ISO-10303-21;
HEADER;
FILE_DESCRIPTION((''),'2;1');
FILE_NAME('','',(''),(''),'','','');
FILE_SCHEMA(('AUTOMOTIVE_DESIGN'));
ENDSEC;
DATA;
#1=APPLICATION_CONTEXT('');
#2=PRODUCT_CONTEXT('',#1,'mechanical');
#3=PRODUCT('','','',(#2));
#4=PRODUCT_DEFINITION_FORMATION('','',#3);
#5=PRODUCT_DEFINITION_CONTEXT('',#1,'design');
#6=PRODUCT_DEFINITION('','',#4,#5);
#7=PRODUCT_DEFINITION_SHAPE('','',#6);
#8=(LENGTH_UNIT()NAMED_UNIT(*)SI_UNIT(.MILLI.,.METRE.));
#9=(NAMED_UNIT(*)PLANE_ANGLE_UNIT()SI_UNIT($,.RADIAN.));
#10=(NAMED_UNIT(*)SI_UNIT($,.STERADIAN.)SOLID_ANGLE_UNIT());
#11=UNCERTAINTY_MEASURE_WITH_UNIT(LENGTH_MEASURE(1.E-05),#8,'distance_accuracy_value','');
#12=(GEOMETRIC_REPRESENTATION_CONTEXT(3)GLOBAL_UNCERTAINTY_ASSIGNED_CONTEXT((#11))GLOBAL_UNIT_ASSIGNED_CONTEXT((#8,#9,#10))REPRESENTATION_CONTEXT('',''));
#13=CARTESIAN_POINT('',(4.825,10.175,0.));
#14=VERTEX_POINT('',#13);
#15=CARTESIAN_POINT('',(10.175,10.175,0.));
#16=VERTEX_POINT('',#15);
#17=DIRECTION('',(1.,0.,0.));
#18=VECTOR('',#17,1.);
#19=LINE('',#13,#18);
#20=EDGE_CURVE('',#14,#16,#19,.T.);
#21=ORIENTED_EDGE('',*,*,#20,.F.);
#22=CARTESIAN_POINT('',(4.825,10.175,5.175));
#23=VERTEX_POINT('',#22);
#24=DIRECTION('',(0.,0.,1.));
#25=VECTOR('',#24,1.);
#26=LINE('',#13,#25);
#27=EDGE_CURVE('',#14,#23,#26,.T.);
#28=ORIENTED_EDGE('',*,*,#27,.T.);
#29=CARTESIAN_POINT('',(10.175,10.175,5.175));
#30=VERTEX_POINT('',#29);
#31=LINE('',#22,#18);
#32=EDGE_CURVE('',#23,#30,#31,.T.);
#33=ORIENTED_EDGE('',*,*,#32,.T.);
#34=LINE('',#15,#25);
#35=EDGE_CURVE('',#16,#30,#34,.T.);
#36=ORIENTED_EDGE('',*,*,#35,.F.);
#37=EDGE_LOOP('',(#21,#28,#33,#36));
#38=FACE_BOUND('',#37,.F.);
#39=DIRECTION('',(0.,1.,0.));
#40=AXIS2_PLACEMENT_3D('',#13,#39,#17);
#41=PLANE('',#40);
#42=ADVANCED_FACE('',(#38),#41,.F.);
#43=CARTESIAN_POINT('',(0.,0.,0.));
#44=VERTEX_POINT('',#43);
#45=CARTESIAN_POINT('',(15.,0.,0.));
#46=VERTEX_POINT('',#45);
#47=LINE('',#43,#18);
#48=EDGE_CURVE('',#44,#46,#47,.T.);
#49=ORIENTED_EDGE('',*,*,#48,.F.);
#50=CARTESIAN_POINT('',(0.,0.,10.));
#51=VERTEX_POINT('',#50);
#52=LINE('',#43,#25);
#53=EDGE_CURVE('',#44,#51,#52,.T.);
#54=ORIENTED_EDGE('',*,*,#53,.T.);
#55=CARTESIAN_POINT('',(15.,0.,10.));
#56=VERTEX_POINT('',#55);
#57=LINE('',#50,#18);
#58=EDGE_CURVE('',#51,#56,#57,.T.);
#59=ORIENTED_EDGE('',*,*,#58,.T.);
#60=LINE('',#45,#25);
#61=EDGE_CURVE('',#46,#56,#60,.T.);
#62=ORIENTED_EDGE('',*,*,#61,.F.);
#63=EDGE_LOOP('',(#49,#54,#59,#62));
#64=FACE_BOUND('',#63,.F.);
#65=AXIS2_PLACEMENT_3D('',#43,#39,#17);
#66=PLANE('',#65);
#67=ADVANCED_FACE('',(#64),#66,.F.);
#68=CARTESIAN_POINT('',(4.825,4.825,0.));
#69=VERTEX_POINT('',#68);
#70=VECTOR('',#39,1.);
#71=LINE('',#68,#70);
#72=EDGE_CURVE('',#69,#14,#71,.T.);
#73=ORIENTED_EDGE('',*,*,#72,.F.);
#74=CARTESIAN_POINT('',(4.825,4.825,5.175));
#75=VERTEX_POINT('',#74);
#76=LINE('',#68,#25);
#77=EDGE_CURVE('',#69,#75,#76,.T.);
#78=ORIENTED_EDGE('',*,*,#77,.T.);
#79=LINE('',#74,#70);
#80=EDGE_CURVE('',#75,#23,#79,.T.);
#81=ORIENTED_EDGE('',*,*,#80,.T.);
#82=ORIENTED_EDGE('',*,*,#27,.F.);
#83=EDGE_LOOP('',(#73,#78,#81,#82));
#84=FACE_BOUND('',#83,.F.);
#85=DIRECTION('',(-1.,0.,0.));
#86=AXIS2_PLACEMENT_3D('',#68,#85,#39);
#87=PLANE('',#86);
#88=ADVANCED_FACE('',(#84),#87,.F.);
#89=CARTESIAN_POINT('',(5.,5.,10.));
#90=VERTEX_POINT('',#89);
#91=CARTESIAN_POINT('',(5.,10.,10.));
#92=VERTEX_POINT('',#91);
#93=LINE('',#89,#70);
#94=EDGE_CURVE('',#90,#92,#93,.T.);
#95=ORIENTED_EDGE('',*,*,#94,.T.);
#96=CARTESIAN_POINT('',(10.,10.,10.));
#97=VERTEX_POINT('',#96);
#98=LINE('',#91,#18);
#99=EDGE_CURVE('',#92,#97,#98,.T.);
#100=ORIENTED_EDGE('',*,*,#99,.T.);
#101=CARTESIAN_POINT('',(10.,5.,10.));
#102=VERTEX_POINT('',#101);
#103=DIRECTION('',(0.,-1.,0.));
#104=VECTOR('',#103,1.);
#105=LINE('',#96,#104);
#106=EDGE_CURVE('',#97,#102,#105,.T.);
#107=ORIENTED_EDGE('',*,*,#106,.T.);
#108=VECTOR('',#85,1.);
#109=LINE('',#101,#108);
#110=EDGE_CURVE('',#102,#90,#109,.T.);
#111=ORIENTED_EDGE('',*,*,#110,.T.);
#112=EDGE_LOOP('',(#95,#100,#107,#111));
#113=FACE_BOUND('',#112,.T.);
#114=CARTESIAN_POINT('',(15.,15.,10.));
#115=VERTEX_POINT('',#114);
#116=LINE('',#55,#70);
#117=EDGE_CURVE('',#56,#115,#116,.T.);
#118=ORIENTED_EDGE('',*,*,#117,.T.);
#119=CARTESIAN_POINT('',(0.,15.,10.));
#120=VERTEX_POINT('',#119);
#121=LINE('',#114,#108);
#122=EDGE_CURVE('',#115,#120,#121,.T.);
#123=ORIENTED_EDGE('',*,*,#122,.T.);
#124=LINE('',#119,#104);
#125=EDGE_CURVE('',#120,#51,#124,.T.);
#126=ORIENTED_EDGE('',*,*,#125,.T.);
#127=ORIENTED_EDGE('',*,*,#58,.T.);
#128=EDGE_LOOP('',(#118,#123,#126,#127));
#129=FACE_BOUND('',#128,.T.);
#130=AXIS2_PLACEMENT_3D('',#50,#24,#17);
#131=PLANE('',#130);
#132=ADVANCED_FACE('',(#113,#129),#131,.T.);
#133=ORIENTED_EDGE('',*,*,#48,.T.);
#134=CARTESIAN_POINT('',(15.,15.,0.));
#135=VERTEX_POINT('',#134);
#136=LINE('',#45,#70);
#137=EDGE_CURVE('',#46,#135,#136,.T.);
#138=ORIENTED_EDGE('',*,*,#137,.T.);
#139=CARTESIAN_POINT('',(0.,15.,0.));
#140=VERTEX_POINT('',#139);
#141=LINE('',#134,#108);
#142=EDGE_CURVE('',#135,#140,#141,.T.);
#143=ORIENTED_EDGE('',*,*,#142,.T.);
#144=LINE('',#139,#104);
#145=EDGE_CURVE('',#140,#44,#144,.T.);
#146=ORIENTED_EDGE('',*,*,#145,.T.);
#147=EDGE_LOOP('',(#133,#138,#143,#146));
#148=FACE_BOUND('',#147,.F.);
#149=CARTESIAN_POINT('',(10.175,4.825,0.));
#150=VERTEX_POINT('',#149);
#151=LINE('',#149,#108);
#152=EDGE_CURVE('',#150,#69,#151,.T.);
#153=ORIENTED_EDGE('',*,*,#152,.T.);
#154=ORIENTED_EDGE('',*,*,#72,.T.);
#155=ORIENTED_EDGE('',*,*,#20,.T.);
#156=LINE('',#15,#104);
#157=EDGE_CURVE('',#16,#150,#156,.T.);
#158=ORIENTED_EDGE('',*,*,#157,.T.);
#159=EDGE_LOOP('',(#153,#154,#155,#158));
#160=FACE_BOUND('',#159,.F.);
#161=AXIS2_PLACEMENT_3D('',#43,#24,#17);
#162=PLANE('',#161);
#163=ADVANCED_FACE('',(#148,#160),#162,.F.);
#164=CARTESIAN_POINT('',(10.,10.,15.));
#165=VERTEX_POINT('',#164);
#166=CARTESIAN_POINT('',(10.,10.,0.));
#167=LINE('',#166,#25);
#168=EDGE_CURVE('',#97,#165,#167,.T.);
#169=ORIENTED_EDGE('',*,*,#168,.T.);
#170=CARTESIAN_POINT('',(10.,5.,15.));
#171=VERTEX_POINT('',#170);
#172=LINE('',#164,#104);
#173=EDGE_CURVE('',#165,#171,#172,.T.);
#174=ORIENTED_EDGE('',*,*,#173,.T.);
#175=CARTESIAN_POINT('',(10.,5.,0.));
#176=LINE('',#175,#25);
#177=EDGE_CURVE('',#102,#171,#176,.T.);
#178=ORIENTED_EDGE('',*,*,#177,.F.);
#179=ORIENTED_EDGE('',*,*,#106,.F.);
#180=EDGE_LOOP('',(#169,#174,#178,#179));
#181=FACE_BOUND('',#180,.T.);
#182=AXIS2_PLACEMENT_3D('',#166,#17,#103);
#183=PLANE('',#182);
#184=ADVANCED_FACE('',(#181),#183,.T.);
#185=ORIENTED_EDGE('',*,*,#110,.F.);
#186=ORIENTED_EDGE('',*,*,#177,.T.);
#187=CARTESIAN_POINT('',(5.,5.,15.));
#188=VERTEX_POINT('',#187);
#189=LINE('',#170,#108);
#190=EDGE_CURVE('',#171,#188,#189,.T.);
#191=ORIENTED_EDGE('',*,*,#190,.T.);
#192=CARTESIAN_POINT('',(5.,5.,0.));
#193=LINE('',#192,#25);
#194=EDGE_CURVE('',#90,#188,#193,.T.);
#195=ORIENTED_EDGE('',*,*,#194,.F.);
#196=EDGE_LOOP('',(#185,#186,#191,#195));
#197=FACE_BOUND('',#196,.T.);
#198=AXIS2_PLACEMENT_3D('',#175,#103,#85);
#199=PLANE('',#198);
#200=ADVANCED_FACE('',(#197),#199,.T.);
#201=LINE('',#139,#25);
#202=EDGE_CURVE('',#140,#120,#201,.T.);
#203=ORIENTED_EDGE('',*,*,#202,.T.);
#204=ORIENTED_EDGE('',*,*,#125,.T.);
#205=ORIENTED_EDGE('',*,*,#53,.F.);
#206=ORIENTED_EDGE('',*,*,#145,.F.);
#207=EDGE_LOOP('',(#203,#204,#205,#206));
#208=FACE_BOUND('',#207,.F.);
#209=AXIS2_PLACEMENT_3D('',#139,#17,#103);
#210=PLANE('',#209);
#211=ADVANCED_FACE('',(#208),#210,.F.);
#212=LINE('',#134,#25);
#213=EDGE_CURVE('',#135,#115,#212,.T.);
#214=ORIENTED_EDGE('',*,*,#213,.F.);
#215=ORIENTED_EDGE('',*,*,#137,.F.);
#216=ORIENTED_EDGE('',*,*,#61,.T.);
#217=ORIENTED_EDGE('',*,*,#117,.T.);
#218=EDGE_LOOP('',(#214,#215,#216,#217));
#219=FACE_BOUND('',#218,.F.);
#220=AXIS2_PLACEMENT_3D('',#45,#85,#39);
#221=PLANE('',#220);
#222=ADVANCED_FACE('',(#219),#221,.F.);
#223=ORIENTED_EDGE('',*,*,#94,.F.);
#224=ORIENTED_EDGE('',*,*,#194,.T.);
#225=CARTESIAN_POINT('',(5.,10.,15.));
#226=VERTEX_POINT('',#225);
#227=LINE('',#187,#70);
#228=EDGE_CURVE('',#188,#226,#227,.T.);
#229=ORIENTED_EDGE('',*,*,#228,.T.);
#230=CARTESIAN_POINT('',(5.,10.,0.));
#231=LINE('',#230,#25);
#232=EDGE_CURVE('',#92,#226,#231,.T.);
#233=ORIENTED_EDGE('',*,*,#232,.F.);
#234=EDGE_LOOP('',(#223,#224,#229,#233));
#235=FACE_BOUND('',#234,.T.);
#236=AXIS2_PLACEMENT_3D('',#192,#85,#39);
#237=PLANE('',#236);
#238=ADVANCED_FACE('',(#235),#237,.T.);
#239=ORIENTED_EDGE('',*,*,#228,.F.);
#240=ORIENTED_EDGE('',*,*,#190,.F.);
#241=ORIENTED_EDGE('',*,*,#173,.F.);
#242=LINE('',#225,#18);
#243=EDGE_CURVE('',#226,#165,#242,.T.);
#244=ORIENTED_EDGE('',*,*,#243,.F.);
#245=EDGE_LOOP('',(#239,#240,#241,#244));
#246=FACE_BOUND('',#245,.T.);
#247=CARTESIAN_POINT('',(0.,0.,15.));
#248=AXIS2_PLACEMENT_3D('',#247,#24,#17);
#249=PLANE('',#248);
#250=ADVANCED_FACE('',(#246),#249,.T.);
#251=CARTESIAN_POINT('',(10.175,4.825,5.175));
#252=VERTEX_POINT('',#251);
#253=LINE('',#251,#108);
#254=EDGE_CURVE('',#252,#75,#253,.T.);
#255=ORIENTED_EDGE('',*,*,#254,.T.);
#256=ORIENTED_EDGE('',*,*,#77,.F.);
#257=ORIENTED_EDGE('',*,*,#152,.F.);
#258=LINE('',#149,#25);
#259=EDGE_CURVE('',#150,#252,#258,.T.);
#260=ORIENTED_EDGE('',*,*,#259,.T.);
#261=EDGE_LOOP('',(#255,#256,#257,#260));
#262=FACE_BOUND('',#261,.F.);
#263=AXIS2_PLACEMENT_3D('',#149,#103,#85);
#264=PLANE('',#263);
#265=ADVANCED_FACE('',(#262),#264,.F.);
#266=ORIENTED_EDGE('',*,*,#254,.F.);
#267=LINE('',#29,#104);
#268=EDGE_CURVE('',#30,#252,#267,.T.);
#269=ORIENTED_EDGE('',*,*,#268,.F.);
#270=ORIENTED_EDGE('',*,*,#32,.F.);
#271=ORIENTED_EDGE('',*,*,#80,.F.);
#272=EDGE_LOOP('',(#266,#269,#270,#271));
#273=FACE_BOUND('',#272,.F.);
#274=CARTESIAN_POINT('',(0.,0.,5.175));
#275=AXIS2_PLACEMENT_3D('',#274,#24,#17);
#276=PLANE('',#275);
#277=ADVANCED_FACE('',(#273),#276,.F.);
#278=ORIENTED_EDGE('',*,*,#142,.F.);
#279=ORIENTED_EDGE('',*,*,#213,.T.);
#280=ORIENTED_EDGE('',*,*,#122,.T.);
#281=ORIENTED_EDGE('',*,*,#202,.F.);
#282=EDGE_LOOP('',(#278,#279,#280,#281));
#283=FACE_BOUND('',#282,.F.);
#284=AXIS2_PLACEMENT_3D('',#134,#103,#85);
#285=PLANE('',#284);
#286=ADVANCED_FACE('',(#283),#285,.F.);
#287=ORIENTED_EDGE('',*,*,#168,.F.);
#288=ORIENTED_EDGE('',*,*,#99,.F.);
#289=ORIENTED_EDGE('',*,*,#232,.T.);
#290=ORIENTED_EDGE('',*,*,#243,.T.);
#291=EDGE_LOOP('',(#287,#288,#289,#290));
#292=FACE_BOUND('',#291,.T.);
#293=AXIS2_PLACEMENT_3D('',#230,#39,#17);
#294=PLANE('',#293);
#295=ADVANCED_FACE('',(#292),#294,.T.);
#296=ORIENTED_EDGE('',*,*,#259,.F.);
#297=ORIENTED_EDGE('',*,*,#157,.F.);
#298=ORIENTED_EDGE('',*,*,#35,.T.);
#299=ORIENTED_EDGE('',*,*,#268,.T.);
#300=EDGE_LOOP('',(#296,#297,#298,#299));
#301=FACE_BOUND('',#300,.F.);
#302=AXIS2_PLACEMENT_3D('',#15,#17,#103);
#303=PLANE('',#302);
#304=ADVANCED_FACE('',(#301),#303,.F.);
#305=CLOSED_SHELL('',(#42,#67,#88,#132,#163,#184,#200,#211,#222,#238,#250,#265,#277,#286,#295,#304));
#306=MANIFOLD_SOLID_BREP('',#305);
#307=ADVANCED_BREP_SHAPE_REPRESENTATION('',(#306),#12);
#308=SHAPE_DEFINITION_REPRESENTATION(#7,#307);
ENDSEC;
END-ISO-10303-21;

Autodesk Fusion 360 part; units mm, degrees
sketch "Sketch2" plane through (0, 0, 0) normal (0, 0, 1) x (1, 0, 0)
  line L0 (0, 0) -> (15, 0)
  line L1 (15, 0) -> (15, 15)
  line L2 (15, 15) -> (0, 15)
  line L3 (0, 15) -> (0, 0)
  line L4 (5, 10) -> (10, 10)
  line L5 (10, 10) -> (10, 5)
  line L6 (10, 5) -> (5, 5)
  line L7 (5, 5) -> (5, 10)
  line L8 (4.825, 10.175) -> (10.175, 10.175)
  line L9 (10.175, 10.175) -> (10.175, 4.825)
  line L10 (10.175, 4.825) -> (4.825, 4.825)
  line L11 (4.825, 4.825) -> (4.825, 10.175)
  dimension "d5" = -0.175
extrude "Extrude1" add sketch "Sketch2" along normal blind 10 contours L0 L1 L2 L3 | L8 L9 L10 L11
extrude "Extrude2" add sketch "Sketch2" along normal blind 15 contours L4 L5 L6 L7
extrude "Extrude3" cut sketch "Sketch2" along normal blind 6.175 contours L4 L5 L6 L7 | L8 L9 L10 L11
extrude "Extrude4" add 1 faces at (8.3917, 8.3917, 6.175) along direction (0, 0, -1) blind 1
